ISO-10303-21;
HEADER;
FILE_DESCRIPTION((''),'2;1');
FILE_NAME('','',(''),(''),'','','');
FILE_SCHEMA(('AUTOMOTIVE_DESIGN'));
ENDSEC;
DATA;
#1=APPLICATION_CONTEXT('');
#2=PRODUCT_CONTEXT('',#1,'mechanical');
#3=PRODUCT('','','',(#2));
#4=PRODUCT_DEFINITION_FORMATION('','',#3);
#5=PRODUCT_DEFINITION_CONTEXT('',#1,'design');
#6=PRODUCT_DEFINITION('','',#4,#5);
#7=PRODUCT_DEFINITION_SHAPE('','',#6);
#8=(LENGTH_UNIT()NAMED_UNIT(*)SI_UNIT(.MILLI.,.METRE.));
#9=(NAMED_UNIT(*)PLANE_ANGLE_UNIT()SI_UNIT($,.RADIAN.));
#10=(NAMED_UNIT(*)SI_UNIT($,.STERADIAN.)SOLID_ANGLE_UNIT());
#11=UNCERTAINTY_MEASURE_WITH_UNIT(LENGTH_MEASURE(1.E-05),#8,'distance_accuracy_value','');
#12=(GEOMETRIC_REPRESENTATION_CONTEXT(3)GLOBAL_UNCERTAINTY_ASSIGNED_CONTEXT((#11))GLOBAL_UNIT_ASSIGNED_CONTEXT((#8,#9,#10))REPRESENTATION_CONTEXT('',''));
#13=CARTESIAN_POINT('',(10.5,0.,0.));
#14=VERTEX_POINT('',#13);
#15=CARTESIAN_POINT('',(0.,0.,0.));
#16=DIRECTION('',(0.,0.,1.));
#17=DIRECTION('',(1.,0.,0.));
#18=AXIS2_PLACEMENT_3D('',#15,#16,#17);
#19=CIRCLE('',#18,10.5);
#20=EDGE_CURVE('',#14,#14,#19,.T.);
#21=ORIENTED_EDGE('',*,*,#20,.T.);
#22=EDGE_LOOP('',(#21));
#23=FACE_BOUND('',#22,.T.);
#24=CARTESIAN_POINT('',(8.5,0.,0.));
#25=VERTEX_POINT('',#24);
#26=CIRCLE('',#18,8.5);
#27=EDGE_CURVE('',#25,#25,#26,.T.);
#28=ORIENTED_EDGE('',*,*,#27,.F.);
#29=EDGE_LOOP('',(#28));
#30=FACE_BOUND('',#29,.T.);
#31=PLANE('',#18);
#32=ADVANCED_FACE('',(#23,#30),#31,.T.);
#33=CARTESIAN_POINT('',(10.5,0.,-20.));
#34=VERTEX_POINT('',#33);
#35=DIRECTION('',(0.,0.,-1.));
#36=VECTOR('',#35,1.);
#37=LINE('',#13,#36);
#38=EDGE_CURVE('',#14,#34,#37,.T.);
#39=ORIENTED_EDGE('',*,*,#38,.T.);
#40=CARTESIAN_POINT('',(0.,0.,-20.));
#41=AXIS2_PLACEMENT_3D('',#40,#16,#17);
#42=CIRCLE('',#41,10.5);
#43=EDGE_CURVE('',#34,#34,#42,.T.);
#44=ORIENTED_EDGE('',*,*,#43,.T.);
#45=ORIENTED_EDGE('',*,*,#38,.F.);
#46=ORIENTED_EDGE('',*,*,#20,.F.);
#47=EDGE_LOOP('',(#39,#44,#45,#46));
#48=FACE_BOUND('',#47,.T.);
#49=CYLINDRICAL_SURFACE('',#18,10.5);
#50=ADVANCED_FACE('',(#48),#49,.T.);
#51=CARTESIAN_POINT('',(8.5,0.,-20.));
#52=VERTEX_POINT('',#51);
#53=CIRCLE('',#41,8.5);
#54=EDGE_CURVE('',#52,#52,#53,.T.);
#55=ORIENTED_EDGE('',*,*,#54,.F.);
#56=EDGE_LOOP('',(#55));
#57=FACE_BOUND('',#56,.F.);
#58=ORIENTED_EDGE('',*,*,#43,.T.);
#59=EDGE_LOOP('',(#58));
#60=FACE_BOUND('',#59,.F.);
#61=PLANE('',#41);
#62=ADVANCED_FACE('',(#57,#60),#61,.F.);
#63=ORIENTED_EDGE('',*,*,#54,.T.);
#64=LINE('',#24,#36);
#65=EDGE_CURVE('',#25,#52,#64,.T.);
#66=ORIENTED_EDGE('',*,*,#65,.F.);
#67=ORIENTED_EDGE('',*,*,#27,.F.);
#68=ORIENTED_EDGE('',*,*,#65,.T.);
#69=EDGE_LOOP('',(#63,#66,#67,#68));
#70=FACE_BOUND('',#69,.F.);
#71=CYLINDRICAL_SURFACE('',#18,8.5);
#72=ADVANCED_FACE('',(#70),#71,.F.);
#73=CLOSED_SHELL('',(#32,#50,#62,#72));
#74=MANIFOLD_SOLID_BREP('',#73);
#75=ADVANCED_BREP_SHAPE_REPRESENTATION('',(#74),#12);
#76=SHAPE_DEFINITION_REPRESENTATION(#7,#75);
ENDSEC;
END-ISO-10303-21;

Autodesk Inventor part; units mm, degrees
ref_plane "YZ Plane" through (0, 0, 0) normal (1, 0, 0) x (0, 1, 0)
ref_plane "XZ Plane" through (0, 0, 0) normal (0, 1, 0) x (-1, 0, 0)
ref_plane "XY Plane" through (0, 0, 0) normal (0, 0, 1) x (1, 0, 0)
sketch "Sketch11" plane through (0, 0, 0) normal (0, 0, 1) x (1, 0, 0)
  circle A0 centre (0, 0) radius 10.5
  circle A1 centre (0, 0) radius 8.5
  dimension "d187" = 21
  dimension "d188" = 2
extrude "Extrusion5" add sketch "Sketch11" against normal blind 20
properties part number "APN 1757 FDS 1200 way tube 7" material "Stainless Steel"
